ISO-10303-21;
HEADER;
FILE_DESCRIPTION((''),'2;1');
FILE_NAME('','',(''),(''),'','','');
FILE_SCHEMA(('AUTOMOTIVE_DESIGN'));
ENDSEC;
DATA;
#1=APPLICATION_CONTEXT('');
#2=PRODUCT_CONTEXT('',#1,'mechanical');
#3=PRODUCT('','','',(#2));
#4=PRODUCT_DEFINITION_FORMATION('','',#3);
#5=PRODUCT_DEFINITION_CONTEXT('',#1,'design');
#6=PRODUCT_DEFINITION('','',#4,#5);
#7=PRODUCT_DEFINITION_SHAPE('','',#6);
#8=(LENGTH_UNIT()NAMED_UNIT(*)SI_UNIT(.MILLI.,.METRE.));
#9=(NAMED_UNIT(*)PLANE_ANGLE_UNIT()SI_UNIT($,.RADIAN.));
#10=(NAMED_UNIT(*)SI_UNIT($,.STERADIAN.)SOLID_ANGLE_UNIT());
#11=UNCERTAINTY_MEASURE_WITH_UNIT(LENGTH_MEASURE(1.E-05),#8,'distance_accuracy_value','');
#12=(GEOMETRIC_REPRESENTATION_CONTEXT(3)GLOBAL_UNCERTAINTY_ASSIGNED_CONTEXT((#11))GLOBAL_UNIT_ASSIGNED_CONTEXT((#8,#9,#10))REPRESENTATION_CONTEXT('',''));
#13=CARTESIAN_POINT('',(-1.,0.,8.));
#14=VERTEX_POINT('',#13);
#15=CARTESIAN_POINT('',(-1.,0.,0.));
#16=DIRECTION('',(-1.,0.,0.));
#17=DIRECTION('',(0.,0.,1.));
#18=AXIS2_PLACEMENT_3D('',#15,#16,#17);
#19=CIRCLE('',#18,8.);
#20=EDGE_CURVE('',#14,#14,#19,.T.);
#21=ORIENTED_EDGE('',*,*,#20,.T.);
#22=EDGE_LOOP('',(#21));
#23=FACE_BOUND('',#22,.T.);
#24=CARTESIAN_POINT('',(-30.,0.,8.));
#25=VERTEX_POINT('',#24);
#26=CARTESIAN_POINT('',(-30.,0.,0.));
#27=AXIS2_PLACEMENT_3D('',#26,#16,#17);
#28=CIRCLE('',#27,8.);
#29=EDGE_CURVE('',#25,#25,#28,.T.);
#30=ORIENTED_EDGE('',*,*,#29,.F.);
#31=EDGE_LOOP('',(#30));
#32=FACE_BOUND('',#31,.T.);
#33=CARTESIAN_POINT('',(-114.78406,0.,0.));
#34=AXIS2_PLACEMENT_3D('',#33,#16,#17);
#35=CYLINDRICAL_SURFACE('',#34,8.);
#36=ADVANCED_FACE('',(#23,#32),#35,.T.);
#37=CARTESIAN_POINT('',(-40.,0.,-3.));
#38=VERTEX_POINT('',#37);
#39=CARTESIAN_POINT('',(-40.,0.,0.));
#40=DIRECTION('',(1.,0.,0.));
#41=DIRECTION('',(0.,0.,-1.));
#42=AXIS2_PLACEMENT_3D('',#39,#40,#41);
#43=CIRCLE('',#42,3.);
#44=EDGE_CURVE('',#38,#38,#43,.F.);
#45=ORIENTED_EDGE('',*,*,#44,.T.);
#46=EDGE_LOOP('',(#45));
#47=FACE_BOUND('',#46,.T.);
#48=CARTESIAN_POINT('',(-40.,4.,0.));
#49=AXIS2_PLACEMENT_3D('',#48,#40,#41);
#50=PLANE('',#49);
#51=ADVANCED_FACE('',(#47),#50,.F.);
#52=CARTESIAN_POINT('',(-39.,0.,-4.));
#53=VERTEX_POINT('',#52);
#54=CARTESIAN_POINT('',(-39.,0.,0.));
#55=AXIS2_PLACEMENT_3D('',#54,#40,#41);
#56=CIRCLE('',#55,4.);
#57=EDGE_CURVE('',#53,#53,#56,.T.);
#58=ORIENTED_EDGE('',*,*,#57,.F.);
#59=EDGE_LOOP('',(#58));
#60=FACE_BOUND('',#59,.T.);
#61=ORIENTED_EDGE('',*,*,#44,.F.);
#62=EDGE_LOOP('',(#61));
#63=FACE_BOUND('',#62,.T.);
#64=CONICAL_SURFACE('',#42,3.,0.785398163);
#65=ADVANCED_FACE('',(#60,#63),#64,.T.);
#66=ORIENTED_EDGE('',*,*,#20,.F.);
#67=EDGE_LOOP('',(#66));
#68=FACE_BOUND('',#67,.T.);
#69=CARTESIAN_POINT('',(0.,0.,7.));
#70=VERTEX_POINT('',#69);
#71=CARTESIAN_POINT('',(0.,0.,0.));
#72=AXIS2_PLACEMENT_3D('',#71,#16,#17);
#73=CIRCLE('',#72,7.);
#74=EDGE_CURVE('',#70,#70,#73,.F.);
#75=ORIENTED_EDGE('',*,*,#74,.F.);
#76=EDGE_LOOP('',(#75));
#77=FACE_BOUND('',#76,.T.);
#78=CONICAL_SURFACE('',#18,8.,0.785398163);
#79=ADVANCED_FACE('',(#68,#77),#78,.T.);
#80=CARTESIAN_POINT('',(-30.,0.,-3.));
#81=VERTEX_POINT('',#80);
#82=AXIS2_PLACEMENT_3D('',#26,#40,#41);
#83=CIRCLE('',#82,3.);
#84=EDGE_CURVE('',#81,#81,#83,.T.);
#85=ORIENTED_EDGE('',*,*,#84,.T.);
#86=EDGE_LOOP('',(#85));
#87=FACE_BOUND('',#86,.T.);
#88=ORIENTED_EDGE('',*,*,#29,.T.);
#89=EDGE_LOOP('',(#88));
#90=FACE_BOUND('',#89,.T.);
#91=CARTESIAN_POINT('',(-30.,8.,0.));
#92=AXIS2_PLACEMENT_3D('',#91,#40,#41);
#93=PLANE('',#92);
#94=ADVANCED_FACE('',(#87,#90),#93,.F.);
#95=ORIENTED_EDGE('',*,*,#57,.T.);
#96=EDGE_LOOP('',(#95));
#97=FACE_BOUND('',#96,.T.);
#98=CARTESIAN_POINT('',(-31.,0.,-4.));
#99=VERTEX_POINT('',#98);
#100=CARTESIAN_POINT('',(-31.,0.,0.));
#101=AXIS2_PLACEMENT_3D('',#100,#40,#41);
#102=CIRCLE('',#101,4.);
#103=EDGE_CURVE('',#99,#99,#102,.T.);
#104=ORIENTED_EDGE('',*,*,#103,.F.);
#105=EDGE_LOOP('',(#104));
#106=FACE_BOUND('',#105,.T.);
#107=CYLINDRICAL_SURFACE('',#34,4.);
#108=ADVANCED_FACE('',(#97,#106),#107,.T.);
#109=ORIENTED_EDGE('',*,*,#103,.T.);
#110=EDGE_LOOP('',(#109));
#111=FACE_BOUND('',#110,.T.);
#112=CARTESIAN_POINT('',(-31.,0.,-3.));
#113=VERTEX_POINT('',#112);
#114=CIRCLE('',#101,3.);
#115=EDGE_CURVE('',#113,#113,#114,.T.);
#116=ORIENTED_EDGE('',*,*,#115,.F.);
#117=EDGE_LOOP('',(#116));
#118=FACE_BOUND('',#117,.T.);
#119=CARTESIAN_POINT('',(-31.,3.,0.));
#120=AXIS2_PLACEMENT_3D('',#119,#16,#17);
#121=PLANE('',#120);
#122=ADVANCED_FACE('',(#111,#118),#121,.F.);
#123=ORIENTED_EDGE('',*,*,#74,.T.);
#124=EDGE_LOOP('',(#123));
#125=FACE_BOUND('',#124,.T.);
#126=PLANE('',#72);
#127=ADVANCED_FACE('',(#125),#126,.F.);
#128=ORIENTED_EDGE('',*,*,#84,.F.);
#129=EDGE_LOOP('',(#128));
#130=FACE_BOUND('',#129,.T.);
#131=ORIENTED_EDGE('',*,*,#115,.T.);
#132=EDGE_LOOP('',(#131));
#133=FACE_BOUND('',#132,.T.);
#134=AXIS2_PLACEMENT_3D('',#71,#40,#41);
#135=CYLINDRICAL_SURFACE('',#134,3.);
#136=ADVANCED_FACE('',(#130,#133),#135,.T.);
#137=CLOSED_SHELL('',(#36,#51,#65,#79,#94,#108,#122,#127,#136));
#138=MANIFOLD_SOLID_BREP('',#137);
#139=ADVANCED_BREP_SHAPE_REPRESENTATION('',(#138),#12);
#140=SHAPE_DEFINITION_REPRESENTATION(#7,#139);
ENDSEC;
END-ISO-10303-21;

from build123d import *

# Parameters (mm, degrees)
CHAMFER1_SIZE = 1
SKETCH2_W     = 1
SKETCH2_H     = 1


with BuildPart() as part:
    # Sketch1 → Revolve1 (revolve)
    with BuildSketch(Plane.XY):
        Polygon((0, 0), (0, 8), (-30, 8), (-30, 4), (-40, 4), (-40, 0), align=None)
    revolve(axis=Axis((-114.784060064, 0, 0), (1, 0, 0)))

    # Chamfer1
    chamfer1_edges = [part.edges().sort_by_distance(p)[0] for p in [
        (-40, -4, 0),
        (0, -8, 0),
    ]]
    chamfer(chamfer1_edges, length=CHAMFER1_SIZE)

    # Sketch2 → Cut-Revolve1 (revolve, cut)
    with BuildSketch(Plane.XY):
        with Locations((-30.5, 3.5)):
            Rectangle(SKETCH2_W, SKETCH2_H)
    revolve(axis=Axis((0, 0, 0), (-1, 0, 0)), mode=Mode.SUBTRACT)


solid = part.part
